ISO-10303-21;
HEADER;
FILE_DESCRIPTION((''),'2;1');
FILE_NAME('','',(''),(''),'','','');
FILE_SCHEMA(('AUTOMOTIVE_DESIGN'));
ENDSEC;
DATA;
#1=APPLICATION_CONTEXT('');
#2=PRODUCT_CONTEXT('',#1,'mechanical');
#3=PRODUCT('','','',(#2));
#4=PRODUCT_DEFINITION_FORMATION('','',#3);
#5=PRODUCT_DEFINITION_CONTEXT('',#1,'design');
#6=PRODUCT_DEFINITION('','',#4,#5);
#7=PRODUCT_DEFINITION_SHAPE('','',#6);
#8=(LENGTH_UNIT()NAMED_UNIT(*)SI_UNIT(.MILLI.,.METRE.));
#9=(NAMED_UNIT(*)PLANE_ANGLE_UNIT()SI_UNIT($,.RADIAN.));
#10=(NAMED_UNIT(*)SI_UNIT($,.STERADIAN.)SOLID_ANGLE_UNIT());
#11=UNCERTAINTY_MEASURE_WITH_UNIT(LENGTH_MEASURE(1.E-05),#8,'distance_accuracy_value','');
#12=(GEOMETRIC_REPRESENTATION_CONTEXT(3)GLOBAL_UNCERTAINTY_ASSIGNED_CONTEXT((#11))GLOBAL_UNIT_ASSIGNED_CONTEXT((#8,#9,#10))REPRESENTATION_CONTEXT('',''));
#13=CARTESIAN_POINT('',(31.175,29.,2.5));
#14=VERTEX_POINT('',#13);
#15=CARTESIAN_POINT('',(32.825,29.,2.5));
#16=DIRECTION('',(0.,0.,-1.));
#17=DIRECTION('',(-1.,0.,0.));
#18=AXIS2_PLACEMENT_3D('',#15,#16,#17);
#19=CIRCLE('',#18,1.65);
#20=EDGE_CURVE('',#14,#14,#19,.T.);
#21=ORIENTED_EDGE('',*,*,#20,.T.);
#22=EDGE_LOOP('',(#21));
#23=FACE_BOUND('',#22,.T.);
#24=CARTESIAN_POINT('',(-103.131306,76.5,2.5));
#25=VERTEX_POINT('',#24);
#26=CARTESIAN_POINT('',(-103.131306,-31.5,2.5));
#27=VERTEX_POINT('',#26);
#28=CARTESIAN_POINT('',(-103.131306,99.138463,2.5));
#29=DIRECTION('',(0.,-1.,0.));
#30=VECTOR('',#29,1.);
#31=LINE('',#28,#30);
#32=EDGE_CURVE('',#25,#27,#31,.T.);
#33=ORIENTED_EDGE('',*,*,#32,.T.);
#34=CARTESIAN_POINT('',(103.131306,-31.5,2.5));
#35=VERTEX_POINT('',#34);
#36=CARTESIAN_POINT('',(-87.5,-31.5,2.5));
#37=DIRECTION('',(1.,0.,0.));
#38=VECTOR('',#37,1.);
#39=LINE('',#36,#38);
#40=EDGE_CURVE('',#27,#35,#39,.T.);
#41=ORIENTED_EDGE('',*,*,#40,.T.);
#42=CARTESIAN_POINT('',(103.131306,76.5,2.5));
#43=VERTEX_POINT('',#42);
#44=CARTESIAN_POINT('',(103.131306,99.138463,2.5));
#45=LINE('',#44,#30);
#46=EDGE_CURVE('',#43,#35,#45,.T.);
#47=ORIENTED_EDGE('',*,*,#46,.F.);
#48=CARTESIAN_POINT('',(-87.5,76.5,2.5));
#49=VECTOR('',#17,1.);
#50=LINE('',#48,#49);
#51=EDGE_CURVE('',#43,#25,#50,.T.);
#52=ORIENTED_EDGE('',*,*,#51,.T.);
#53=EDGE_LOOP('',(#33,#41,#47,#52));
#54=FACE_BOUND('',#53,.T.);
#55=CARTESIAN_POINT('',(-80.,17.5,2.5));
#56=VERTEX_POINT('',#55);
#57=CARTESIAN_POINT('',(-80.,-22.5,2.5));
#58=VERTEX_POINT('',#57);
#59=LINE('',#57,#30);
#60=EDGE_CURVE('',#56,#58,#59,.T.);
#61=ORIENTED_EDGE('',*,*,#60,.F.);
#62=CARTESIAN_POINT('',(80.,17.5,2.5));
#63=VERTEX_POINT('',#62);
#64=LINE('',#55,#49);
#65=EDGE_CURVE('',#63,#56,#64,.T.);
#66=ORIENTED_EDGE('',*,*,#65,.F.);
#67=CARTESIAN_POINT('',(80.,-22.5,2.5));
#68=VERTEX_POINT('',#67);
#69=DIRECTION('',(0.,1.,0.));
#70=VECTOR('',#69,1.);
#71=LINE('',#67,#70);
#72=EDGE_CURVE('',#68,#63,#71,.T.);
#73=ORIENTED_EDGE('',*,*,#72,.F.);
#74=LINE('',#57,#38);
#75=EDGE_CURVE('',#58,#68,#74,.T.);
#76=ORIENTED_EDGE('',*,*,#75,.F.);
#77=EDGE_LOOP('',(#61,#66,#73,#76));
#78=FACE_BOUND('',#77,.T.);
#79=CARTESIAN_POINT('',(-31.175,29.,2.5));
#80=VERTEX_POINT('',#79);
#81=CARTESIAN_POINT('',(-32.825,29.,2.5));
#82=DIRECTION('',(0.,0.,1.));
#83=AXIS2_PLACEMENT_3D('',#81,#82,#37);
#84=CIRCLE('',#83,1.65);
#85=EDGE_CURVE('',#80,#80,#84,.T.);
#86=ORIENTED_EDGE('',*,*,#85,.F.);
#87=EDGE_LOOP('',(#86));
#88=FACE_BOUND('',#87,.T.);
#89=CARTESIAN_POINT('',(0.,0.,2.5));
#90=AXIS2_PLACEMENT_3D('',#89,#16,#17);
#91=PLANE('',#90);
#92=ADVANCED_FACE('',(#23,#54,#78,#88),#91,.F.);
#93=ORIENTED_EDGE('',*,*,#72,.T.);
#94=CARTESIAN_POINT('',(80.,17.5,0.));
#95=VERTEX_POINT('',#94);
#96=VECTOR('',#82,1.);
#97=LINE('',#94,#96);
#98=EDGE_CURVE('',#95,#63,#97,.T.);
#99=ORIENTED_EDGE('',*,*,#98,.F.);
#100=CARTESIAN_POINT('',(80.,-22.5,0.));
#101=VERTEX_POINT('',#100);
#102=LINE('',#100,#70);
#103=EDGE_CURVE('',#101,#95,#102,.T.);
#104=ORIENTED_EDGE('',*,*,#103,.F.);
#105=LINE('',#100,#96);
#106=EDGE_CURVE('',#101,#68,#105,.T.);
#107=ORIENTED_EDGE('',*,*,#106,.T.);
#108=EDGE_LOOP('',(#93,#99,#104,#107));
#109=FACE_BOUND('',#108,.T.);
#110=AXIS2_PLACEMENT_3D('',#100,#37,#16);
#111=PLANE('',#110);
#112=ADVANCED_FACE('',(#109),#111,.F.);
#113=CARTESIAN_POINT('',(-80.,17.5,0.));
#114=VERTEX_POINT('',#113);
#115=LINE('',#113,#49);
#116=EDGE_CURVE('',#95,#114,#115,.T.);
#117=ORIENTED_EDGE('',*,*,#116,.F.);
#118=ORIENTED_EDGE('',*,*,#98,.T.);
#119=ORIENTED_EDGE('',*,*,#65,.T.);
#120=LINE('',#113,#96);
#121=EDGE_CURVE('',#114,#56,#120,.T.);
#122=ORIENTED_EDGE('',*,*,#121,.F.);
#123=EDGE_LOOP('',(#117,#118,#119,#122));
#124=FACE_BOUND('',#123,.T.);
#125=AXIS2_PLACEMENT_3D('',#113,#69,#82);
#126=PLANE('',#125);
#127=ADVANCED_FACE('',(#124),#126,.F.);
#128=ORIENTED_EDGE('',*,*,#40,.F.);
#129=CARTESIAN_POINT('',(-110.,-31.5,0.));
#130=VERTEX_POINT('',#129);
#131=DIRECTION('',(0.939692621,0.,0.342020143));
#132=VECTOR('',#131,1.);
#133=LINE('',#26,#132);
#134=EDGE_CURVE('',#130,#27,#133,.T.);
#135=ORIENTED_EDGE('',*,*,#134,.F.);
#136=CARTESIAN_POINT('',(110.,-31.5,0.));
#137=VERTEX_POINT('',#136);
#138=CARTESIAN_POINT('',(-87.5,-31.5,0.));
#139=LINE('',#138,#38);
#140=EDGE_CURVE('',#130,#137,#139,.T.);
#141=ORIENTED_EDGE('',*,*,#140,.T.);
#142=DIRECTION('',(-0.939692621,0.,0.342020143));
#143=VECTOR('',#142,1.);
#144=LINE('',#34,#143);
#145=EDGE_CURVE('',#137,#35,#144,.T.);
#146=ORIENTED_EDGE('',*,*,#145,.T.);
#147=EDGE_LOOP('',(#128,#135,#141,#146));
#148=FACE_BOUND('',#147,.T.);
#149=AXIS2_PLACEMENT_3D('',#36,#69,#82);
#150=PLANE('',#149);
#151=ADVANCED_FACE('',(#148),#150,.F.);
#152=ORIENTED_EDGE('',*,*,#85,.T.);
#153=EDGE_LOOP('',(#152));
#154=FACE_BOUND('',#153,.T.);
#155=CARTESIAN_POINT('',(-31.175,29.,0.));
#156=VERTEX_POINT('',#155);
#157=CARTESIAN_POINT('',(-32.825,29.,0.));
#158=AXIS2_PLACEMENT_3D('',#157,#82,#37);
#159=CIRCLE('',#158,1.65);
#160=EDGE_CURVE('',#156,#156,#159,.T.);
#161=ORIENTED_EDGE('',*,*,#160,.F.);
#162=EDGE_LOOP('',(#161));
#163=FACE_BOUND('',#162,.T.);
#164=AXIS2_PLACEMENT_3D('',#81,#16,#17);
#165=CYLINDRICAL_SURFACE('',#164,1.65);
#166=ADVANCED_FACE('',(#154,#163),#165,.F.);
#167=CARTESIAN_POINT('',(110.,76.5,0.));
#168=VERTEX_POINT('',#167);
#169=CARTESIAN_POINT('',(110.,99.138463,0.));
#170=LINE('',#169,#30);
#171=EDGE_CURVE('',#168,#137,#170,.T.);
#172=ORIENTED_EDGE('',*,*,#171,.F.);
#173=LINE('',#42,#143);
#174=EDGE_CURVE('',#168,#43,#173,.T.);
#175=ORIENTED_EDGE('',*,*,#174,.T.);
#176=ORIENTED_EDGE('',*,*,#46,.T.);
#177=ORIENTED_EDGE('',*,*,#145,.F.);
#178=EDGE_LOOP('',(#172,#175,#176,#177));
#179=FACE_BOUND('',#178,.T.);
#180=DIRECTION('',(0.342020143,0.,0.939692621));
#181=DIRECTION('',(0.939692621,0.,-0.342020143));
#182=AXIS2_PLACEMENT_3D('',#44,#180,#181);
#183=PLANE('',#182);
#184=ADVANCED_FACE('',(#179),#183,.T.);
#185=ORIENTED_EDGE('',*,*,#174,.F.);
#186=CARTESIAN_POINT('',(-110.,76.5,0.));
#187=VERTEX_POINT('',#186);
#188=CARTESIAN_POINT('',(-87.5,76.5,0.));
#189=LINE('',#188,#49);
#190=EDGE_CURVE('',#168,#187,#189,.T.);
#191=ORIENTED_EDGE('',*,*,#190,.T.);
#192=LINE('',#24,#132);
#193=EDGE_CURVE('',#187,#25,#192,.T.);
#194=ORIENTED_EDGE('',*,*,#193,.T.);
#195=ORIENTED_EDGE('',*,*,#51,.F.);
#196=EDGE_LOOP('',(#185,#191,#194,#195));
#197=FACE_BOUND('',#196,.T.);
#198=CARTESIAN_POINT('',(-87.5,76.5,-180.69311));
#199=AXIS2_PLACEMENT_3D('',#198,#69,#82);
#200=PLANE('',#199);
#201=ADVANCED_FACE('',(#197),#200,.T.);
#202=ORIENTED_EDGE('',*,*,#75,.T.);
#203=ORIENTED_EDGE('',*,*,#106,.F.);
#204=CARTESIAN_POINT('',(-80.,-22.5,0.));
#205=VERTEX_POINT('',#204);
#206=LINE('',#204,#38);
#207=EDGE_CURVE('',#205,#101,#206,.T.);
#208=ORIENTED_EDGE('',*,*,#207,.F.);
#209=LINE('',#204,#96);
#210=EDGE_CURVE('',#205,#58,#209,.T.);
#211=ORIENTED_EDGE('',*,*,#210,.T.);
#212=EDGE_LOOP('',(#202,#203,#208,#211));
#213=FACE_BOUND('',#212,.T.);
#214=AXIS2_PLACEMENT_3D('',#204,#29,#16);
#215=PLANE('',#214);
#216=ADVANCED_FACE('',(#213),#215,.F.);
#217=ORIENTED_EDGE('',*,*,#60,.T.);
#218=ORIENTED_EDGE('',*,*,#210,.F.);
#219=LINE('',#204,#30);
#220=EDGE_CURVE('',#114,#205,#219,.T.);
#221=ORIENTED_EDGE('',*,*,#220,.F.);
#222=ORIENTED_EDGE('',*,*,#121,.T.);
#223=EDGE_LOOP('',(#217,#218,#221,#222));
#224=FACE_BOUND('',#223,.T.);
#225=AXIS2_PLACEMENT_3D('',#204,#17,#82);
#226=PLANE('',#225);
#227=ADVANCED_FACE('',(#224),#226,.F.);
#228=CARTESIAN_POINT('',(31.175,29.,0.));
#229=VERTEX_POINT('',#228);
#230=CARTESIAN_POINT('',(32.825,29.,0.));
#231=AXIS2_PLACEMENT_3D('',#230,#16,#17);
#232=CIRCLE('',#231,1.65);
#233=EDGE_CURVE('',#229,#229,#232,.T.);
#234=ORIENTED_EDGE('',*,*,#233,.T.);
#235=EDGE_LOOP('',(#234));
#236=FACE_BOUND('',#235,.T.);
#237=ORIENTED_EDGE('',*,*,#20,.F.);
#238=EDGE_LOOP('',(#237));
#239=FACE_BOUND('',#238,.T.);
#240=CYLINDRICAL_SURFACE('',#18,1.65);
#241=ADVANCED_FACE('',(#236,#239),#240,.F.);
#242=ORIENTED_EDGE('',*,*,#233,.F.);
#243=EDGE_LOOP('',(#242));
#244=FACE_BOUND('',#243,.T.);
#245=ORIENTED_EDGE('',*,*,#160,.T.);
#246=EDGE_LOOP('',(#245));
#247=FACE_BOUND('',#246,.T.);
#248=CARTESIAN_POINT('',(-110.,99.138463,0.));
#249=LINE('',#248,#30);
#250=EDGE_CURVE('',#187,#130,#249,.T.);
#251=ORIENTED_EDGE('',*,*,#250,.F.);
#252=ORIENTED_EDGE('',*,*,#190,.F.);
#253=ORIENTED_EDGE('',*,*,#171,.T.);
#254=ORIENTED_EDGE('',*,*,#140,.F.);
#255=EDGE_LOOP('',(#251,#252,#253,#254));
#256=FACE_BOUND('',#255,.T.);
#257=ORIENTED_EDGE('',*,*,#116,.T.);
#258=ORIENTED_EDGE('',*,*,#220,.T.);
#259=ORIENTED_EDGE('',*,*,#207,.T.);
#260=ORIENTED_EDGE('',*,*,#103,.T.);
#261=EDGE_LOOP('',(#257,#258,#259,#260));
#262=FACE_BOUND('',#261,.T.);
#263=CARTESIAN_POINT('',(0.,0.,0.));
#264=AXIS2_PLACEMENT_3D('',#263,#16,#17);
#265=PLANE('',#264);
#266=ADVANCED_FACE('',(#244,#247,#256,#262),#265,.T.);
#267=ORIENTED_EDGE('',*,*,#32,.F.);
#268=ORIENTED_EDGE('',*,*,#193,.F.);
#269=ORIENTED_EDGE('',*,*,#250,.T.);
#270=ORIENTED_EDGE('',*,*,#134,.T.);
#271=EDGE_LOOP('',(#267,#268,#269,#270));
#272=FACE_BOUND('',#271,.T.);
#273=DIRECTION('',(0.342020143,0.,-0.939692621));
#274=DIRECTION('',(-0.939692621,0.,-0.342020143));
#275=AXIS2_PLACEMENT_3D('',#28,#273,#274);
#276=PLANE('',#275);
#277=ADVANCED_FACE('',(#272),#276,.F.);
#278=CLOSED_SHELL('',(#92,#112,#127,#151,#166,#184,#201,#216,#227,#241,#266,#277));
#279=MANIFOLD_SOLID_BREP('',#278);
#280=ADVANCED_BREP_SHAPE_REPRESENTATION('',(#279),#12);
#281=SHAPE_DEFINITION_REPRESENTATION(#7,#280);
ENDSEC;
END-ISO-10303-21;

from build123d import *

# Parameters (mm, degrees)
SKETCH1_W           = 175
SKETCH1_H           = 63
BOSS_EXTRUDE1_DEPTH = 2.5
SKETCH2_W           = 160
SKETCH2_H           = 40
CUT_EXTRUDE1_DEPTH  = 2.5
SKETCH5_W           = 175
SKETCH5_H           = 45
BOSS_EXTRUDE3_DEPTH = 2.5
BOSS_EXTRUDE2_DEPTH = 108
SKETCH4_R           = 1.65
CUT_EXTRUDE2_DEPTH  = 3.5


with BuildPart() as part:
    # Sketch1 → Boss-Extrude1 (new body)
    with BuildSketch(Plane.XY):
        Rectangle(SKETCH1_W, SKETCH1_H)
    extrude(amount=BOSS_EXTRUDE1_DEPTH)

    # Sketch2 → Cut-Extrude1 (cut)
    with BuildSketch(Plane.XY.offset(2.5)):
        with Locations((0, -2.5)):
            Rectangle(SKETCH2_W, SKETCH2_H)
    extrude(amount=-CUT_EXTRUDE1_DEPTH, mode=Mode.SUBTRACT)

    # Sketch5 → Boss-Extrude3 (add)
    with BuildSketch(Plane.XY.offset(2.5)):
        with Locations((0, 54)):
            Rectangle(SKETCH5_W, SKETCH5_H)
    extrude(amount=-BOSS_EXTRUDE3_DEPTH)

    # Sketch3 → Boss-Extrude2 (add)
    with BuildSketch(Plane(origin=(0, -31.5, 0), x_dir=(1, 0, 0), z_dir=(0, 1, 0))):
        Polygon((-87.5, -2.5), (-103.131306451, -2.5), (-110, 0), (-87.5, 0), align=None)
    boss_extrude2 = extrude(amount=BOSS_EXTRUDE2_DEPTH)

    # Mirror1: Boss-Extrude2 across plane
    add(boss_extrude2.mirror(Plane(origin=(0, 0, 0), x_dir=(0, 0, 1), z_dir=(1, 0, 0))))

    # Sketch4 → Cut-Extrude2 (cut, through all)
    with BuildSketch(Plane(origin=(0, 0, 0), x_dir=(-1, 0, 0), z_dir=(0, 0, -1))):
        with Locations((-32.825, 29)):
            Circle(SKETCH4_R)
    cut_extrude2 = extrude(amount=-CUT_EXTRUDE2_DEPTH, mode=Mode.SUBTRACT)

    # Mirror2: Cut-Extrude2 across plane
    add(cut_extrude2.mirror(Plane(origin=(0, 0, 0), x_dir=(0, 0, 1), z_dir=(1, 0, 0))), mode=Mode.SUBTRACT)


solid = part.part
